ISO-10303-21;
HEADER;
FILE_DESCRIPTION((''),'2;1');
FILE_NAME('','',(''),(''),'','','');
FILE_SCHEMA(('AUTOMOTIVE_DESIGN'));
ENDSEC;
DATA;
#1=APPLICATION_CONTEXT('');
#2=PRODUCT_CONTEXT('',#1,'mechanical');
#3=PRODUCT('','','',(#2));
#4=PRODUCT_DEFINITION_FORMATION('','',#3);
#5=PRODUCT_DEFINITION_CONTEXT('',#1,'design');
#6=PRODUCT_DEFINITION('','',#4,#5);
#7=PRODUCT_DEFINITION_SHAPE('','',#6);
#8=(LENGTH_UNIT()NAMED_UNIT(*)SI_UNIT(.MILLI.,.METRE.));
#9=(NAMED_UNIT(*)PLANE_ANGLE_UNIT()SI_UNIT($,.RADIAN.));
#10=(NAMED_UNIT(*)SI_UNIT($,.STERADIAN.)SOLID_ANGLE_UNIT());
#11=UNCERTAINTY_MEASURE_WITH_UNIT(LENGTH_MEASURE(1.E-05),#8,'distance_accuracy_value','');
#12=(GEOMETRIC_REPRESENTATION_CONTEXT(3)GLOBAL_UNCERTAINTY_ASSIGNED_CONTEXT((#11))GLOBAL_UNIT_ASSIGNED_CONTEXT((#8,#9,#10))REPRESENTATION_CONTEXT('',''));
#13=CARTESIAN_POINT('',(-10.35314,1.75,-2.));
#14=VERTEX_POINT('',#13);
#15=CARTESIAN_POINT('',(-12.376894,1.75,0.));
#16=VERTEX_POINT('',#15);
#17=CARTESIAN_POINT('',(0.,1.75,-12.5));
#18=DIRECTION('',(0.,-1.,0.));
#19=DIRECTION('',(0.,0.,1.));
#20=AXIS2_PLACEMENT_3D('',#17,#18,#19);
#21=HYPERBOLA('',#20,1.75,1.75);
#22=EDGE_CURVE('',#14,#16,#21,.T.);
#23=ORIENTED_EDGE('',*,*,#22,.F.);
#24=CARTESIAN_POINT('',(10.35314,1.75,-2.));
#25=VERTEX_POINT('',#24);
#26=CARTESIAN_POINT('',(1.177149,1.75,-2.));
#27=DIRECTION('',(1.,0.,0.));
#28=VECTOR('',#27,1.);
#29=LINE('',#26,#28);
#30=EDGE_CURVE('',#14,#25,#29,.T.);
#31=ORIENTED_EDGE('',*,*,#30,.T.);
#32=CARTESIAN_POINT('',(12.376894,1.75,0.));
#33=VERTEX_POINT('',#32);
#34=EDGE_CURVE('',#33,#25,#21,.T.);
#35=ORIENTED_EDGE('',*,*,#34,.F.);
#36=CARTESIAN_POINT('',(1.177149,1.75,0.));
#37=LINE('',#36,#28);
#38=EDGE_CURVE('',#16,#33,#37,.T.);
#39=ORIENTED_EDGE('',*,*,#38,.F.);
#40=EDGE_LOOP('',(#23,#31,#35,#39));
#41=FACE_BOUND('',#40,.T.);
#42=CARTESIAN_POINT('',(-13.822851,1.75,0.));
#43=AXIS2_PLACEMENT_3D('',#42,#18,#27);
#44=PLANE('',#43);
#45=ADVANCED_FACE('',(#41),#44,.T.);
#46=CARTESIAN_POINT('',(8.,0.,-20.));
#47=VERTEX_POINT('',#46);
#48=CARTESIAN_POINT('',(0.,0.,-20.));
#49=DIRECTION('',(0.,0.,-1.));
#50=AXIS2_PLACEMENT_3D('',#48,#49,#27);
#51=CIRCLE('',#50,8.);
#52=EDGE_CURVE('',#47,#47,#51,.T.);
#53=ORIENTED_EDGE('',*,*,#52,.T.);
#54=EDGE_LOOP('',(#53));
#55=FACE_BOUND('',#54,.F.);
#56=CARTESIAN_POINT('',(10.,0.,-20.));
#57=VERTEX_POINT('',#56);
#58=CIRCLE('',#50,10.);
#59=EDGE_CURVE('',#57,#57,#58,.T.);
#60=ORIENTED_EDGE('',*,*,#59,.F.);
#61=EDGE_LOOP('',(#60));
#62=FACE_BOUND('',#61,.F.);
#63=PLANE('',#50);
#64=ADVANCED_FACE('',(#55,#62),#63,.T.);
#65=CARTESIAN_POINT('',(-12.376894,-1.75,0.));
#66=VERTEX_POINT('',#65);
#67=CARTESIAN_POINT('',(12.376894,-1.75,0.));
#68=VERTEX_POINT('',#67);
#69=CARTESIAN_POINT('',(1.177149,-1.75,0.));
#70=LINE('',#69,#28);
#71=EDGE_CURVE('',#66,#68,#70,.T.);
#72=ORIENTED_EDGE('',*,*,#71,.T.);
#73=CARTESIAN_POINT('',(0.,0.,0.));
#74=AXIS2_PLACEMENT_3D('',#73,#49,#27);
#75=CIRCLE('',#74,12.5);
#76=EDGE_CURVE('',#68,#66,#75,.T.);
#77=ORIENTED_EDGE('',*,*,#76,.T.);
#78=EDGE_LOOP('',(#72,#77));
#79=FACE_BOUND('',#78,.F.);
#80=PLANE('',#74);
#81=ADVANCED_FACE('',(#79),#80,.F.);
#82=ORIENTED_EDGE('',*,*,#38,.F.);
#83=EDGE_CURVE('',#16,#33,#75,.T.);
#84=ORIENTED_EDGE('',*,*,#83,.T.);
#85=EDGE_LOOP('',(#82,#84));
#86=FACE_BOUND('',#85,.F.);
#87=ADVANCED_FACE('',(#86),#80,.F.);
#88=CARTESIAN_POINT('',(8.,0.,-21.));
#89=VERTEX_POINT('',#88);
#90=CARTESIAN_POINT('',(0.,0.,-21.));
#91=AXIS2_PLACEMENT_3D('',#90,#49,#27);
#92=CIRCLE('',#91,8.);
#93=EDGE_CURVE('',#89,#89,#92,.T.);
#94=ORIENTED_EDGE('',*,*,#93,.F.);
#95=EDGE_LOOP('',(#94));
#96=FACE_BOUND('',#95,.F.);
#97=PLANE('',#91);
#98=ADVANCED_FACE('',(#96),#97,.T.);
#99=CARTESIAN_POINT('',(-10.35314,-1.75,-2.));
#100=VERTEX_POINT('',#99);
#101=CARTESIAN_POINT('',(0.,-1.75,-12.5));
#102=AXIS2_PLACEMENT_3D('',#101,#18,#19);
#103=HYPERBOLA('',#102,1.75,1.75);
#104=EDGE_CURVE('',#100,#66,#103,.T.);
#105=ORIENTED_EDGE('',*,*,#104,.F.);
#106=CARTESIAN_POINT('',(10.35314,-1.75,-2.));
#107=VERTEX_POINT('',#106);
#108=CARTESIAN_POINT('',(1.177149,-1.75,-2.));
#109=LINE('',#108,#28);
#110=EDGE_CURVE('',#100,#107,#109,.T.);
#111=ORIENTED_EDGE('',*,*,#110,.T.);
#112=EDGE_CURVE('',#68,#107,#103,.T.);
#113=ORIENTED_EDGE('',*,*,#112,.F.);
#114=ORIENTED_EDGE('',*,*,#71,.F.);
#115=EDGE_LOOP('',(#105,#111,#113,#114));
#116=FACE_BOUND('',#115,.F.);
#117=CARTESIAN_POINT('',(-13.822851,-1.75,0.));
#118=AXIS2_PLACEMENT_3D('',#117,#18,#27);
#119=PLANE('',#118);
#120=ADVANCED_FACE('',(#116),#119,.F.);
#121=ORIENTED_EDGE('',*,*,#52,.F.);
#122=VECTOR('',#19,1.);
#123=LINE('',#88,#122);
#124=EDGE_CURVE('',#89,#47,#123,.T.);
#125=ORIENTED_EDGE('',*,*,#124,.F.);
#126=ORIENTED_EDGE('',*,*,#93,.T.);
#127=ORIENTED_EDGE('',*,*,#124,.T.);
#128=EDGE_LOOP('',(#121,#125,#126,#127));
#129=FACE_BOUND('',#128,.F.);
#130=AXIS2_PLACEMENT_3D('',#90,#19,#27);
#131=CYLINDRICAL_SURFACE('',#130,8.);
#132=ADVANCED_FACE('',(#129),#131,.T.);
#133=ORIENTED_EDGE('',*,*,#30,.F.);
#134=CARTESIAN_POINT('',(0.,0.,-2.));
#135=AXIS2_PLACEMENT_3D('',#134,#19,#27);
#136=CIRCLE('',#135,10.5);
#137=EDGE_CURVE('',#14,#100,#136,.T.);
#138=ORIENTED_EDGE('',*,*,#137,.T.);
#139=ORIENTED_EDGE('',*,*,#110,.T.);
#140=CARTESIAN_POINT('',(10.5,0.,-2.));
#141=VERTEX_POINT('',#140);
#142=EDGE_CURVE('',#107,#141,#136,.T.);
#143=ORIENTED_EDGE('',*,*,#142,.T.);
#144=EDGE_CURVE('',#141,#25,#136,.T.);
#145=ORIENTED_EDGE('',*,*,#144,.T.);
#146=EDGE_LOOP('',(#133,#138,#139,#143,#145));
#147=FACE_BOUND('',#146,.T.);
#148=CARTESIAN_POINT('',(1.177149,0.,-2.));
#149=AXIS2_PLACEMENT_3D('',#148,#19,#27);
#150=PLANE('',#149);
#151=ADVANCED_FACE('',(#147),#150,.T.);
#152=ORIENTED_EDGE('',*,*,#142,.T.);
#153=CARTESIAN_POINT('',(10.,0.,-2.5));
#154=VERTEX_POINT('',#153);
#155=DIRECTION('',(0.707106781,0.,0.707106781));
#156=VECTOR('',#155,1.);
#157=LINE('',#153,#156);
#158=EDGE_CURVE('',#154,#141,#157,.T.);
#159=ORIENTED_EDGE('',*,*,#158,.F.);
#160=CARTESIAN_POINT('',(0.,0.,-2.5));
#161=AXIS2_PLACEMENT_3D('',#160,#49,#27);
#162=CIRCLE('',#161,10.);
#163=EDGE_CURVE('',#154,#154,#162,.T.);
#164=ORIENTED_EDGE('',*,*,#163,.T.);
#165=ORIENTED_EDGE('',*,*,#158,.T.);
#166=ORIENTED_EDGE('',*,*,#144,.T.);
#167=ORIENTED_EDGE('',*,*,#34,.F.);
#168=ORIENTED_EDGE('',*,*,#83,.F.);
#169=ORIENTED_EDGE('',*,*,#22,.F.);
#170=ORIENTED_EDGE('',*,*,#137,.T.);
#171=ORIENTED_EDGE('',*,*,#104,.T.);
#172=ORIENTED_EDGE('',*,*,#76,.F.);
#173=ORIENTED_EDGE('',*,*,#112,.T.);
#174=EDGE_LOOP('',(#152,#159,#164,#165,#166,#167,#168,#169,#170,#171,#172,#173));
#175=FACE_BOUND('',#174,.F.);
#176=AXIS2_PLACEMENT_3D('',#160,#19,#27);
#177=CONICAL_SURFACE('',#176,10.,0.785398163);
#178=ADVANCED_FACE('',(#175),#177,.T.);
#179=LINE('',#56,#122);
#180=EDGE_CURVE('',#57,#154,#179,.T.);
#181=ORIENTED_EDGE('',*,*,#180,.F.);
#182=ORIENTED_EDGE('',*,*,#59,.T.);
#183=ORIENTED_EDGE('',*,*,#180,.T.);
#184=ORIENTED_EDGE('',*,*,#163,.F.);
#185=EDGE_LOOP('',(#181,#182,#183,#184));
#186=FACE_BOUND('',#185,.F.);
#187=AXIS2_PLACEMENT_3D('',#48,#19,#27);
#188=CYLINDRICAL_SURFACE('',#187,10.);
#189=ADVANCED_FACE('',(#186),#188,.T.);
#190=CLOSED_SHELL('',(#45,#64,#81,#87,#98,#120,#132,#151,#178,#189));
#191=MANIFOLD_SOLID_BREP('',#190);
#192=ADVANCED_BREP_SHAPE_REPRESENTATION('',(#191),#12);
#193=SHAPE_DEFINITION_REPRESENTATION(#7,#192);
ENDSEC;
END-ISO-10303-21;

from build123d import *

# Parameters (mm, degrees)
F2_W     = 30
F2_H     = 3.5
F3_DEPTH = 2


with BuildPart() as f1:
    # F0 (on Front) → F1 (revolve)
    with BuildSketch(Plane.XZ):
        Polygon((12.5, 0), (0, 0), (0, -21), (8, -21), (8, -20), (10, -20), (10, -2.5), align=None)
    revolve(axis=Axis((0, 0, -12.648922), (0, 0, -1)))

    # F2 (on face) → F3 (cut)
    with BuildSketch(Plane.XY):
        with Locations((1.177149, 0)):
            Rectangle(F2_W, F2_H)
    extrude(amount=-F3_DEPTH, mode=Mode.SUBTRACT)


solid = f1.part
